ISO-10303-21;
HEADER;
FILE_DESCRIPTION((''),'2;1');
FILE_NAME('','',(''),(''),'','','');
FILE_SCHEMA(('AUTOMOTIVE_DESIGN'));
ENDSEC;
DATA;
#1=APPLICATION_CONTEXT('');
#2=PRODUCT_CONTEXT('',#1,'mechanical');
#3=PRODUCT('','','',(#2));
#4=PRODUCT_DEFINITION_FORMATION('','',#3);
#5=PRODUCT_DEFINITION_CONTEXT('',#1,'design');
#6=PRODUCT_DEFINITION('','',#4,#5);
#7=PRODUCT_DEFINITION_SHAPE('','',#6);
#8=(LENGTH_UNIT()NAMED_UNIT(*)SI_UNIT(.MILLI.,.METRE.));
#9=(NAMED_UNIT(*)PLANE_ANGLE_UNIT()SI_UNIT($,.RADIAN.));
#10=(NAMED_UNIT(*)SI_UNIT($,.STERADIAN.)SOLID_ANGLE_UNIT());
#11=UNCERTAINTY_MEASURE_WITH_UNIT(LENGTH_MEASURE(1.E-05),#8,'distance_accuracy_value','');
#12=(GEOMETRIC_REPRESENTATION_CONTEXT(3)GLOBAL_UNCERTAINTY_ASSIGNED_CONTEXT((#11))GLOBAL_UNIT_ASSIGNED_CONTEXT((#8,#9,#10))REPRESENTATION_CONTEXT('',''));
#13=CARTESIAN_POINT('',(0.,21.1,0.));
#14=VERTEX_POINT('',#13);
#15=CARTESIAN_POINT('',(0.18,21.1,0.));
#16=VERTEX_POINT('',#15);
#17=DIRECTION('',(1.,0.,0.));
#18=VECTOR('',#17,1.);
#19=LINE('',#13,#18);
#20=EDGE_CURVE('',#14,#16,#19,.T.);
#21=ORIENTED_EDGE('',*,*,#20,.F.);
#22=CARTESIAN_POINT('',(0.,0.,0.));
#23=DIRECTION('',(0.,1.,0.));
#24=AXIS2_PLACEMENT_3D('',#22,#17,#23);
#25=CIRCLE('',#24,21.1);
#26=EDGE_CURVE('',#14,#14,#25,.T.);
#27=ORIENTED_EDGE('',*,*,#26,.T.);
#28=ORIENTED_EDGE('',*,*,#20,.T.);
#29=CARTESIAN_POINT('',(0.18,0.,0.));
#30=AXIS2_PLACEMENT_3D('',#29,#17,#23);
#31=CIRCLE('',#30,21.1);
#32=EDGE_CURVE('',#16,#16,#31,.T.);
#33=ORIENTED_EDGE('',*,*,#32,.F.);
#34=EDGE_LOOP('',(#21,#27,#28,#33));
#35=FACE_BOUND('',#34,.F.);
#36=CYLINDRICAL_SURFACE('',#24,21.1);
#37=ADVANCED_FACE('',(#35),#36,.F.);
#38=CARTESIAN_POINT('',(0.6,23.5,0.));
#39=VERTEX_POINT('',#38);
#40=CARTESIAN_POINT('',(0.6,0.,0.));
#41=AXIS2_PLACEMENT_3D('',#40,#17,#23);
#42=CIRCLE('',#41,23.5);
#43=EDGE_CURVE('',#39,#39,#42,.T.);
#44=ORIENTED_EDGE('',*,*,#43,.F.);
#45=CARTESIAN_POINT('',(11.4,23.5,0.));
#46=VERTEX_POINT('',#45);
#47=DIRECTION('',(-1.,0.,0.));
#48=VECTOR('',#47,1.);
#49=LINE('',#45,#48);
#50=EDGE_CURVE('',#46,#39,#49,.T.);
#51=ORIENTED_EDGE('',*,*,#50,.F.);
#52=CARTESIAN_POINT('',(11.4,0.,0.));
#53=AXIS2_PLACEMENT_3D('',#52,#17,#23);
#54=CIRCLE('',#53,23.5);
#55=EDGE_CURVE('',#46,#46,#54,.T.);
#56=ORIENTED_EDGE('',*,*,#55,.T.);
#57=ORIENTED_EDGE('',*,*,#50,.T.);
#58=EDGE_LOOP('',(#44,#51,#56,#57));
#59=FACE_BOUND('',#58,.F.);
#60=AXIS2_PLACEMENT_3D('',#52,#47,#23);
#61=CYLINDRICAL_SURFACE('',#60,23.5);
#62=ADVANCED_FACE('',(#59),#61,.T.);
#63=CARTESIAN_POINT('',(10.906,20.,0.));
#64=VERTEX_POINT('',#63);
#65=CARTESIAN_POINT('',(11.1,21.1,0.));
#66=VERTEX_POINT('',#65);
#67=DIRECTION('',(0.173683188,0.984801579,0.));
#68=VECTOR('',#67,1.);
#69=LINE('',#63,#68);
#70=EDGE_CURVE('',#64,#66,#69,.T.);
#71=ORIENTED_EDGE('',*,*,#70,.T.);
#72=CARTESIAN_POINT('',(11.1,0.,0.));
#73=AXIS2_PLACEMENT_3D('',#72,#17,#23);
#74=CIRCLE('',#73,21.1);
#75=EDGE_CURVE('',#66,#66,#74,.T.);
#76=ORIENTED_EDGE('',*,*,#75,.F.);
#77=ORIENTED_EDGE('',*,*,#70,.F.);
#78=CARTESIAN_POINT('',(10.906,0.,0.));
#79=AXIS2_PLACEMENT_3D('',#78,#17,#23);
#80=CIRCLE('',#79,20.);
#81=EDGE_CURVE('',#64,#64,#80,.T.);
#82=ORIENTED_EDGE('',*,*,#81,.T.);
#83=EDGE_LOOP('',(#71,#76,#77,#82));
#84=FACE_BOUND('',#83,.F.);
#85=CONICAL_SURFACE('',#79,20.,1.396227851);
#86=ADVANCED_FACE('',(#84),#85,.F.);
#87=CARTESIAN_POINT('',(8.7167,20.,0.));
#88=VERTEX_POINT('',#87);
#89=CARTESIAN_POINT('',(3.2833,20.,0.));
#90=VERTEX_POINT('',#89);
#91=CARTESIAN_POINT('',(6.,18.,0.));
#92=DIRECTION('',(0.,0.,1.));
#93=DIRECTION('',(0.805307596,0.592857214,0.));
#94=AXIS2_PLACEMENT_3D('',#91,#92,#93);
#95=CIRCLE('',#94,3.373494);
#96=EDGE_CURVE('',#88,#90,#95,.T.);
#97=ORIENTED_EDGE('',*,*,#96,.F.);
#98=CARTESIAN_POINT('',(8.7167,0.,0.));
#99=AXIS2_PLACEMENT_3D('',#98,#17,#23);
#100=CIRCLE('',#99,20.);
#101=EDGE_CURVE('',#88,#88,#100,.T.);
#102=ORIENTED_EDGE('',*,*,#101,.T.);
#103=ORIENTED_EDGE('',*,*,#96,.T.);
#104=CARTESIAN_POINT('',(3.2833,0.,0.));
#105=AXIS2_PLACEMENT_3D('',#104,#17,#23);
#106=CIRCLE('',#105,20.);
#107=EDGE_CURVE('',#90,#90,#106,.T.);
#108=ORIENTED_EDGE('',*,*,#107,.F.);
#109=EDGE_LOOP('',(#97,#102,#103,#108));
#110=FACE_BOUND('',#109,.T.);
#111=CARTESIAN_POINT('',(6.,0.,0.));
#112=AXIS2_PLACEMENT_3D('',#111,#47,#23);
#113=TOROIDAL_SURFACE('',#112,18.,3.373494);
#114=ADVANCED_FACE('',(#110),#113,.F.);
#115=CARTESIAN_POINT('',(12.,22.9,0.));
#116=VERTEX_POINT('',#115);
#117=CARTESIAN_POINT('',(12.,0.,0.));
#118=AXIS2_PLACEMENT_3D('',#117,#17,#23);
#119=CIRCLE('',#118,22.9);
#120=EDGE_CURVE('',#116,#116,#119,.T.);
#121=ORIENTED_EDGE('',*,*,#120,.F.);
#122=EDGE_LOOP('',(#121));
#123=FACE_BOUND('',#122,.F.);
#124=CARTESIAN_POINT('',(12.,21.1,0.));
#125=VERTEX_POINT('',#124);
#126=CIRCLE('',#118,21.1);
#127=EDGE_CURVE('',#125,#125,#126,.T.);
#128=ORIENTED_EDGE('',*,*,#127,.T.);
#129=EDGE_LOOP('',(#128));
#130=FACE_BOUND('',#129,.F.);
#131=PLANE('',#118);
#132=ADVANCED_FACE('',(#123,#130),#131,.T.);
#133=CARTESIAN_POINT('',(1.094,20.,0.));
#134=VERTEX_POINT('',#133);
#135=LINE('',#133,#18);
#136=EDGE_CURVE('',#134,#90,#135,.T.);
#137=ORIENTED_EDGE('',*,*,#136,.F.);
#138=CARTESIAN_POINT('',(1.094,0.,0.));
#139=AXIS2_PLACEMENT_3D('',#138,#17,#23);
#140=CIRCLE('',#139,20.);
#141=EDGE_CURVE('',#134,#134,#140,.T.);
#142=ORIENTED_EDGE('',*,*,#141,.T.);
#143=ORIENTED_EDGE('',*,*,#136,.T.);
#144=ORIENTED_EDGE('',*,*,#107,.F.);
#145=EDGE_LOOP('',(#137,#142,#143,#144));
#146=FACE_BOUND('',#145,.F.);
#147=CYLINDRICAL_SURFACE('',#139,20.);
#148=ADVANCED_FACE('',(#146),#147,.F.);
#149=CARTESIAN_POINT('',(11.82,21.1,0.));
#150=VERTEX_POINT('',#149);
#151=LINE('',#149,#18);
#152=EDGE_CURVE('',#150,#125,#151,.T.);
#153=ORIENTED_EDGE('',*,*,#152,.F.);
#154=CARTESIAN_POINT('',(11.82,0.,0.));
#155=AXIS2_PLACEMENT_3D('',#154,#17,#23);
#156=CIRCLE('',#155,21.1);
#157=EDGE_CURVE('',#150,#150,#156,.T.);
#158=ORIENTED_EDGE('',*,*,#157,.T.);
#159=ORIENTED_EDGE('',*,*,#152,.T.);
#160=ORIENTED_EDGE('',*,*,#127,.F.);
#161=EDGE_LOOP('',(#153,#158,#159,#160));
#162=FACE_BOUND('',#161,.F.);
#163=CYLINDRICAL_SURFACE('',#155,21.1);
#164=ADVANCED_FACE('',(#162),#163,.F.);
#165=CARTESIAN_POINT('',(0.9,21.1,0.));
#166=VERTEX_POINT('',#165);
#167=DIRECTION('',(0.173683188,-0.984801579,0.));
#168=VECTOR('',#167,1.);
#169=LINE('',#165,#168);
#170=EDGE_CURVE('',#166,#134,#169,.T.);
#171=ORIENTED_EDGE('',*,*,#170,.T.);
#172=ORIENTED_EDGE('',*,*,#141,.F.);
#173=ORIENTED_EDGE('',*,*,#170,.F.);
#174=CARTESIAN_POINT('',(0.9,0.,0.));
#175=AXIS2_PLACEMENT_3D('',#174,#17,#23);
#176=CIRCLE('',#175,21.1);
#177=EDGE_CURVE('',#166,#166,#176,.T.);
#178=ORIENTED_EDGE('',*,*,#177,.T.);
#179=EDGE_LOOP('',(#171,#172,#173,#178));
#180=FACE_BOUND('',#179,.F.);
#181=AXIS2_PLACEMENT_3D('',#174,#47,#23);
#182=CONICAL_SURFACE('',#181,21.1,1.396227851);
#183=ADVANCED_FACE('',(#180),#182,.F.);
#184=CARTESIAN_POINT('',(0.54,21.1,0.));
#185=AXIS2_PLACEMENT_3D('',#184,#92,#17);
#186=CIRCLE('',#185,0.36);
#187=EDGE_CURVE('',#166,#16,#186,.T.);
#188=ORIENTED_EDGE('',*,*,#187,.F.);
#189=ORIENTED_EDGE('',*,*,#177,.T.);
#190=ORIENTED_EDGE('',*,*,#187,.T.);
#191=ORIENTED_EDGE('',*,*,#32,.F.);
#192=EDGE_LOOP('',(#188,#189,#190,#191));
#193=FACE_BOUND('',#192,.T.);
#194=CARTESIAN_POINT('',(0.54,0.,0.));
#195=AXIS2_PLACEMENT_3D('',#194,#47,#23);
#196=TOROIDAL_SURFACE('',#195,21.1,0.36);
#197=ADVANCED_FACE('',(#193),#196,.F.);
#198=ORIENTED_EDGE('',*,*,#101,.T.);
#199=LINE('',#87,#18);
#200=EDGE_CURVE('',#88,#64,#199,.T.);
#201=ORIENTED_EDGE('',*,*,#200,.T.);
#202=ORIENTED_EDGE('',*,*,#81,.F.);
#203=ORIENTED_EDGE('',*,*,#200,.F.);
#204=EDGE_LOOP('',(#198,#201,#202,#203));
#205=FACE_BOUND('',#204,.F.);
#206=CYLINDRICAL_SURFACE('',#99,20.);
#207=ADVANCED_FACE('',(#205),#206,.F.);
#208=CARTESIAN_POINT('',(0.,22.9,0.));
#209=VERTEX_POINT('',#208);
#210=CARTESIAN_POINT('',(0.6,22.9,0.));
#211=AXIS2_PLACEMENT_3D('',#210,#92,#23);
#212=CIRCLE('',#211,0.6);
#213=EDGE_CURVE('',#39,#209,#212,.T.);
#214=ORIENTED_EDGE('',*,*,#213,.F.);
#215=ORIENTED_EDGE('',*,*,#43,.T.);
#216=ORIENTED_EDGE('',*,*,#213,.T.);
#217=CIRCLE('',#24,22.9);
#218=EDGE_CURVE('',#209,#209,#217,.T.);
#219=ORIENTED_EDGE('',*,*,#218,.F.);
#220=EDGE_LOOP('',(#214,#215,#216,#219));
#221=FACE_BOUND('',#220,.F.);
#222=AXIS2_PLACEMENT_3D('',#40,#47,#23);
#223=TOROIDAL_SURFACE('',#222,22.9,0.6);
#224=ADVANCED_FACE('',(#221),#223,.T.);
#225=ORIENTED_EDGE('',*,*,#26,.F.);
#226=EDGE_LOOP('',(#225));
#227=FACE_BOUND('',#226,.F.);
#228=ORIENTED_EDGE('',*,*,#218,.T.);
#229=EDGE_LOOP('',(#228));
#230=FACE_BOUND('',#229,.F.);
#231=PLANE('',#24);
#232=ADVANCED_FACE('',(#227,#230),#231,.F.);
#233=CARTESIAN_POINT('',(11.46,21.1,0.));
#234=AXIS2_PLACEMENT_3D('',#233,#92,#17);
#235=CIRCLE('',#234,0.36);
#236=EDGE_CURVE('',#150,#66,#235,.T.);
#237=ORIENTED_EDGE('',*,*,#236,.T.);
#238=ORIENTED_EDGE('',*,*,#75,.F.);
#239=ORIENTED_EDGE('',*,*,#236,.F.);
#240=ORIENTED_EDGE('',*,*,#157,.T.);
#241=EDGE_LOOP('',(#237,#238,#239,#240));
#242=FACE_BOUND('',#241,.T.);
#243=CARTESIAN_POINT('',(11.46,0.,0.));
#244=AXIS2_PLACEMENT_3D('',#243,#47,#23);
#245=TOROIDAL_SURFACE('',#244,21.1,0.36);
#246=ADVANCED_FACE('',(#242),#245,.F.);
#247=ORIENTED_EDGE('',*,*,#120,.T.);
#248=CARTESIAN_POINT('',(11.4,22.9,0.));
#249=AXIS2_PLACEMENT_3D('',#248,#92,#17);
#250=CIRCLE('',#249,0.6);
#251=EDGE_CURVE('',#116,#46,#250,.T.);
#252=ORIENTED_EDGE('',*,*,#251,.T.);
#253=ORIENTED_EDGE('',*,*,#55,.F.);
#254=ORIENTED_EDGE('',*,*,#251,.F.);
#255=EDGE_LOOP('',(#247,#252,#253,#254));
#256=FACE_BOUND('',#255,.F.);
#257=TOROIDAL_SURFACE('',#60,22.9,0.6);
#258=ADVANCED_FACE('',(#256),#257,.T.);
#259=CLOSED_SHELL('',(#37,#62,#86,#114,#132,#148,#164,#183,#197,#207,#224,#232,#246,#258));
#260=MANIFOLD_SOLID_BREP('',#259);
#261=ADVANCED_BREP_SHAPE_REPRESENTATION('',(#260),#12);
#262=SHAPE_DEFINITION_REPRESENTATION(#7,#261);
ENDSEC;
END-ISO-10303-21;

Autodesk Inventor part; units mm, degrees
ref_plane "YZ Plane" through (0, 0, 0) normal (1, 0, 0) x (0, 1, 0)
ref_plane "XZ Plane" through (0, 0, 0) normal (0, 1, 0) x (-1, 0, 0)
ref_plane "XY Plane" through (0, 0, 0) normal (0, 0, 1) x (1, 0, 0)
sketch "Sketch_2" plane through (0, 0, 0) normal (0, 0, 1) x (1, 0, 0)
  line L0 (50, 0) -> (-50, 0)
  line L1 (0, 21.1) -> (0.18, 21.1)
  arc A0 (0.9, 21.1) -> (0.18, 21.1) centre (0.54, 21.1) ccw
  line L2 (0.9, 21.1) -> (1.094, 20)
  line L3 (1.094, 20) -> (3.2833, 20)
  arc A1 (8.7167, 20) -> (3.2833, 20) centre (6, 18) ccw
  line L4 (8.7167, 20) -> (10.906, 20)
  line L5 (10.906, 20) -> (11.1, 21.1)
  arc A2 (11.82, 21.1) -> (11.1, 21.1) centre (11.46, 21.1) ccw
  line L6 (11.82, 21.1) -> (12, 21.1)
  line L7 (12, 21.1) -> (12, 22.9)
  arc A3 (12, 22.9) -> (11.4, 23.5) centre (11.4, 22.9) ccw
  line L8 (11.4, 23.5) -> (0.6, 23.5)
  arc A4 (0.6, 23.5) -> (0, 22.9) centre (0.6, 22.9) ccw
  line L9 (0, 22.9) -> (0, 21.1)
revolve "Revolution1" add sketch "Sketch_2" angle 360 about axis through (50, 0, 0) along (1, 0, 0)
properties part number "6005_PART2" material "Acero, suave"
